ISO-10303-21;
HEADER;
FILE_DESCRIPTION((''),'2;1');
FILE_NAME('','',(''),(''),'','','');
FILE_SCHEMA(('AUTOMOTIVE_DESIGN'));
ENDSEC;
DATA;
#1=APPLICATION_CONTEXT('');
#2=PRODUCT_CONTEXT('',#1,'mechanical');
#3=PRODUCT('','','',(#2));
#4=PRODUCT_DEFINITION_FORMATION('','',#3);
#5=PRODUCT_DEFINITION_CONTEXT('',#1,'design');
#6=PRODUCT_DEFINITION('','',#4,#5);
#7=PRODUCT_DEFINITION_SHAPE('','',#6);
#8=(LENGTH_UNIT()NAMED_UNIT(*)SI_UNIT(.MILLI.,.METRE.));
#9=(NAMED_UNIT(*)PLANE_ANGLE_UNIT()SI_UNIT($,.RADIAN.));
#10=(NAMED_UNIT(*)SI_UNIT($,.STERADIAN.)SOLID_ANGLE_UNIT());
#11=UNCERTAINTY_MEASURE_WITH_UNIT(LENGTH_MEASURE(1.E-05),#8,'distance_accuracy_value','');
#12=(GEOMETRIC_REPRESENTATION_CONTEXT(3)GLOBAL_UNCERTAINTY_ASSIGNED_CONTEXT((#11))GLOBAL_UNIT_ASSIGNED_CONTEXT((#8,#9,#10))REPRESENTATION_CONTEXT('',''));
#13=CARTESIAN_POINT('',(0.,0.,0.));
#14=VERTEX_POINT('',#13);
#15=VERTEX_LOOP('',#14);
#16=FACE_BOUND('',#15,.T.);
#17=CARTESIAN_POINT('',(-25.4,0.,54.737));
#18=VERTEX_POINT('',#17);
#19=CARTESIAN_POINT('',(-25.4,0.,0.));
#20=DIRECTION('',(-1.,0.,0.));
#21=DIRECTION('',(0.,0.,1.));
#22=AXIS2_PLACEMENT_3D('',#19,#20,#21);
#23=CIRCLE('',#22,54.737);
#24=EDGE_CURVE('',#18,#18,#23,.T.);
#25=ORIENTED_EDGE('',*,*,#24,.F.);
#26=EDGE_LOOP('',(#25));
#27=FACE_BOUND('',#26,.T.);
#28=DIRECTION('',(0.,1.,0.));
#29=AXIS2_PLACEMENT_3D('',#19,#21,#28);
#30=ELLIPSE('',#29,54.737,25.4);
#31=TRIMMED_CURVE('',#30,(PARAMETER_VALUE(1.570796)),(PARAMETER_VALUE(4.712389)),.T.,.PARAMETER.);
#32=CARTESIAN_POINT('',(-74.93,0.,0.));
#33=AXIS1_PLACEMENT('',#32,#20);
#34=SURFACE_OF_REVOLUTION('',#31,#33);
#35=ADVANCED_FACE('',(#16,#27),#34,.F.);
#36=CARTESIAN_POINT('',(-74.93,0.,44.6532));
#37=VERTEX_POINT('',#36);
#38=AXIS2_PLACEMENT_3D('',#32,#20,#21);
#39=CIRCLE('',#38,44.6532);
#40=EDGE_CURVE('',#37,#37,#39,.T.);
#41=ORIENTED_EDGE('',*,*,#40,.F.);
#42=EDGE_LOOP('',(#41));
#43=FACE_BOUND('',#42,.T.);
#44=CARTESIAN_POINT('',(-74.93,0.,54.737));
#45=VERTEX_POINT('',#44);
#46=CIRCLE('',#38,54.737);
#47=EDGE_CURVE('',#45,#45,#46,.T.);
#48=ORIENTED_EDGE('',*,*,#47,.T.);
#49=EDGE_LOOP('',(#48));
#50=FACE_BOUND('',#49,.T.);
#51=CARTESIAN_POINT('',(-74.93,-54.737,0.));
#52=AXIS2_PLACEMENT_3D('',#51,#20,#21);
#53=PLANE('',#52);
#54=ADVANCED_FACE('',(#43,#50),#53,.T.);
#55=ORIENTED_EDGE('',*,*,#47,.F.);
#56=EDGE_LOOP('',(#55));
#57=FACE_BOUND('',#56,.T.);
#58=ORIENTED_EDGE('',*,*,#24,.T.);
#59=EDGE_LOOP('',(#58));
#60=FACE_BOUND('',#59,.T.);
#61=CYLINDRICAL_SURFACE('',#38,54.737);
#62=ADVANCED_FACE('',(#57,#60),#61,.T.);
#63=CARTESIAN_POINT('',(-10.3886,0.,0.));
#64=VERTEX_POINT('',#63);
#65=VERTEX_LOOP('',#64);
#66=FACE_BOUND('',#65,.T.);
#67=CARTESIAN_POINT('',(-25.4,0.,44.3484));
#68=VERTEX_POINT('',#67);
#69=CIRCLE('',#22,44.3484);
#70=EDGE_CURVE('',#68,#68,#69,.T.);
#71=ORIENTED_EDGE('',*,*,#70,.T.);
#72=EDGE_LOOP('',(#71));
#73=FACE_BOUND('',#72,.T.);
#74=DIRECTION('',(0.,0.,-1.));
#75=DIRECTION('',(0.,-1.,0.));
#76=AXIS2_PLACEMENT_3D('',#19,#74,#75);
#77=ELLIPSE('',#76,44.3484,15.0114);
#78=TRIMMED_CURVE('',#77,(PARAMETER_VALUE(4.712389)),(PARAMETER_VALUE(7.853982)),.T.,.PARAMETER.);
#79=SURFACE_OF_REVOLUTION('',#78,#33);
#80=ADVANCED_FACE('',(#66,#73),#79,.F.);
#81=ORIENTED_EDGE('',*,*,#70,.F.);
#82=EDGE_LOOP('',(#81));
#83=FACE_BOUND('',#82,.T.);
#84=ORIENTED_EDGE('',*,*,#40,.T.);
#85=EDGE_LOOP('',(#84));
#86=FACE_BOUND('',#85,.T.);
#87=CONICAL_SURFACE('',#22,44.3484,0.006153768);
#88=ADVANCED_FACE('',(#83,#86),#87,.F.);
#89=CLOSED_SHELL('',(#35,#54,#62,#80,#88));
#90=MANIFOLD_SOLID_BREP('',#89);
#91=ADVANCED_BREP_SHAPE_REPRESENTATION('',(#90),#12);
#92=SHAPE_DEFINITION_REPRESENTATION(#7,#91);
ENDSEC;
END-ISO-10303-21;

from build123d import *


with BuildPart() as part:
    # Sketch1 → Revolve1 (revolve)
    with BuildSketch(Plane.XY):
        with BuildLine():
            Line((-74.93, -54.737), (-25.4, -54.737))
            add(Edge.make_bspline(
                [(-25.4, -54.737), (0, -54.737), (0, 0)],
                knots=[3.141592654, 3.141592654, 3.141592654, 4.71238898, 4.71238898, 4.71238898], degree=2, weights=[1, 0.707106781, 1]))
            Line((0, 0), (-10.3886, 0))
            add(Edge.make_bspline(
                [(-25.4, -44.3484), (-10.3886, -44.3484), (-10.3886, 0)],
                knots=[0, 0, 0, 1.570796327, 1.570796327, 1.570796327], degree=2, weights=[1, 0.707106781, 1]))
            Line((-25.4, -44.3484), (-74.93, -44.6532))
            Line((-74.93, -44.6532), (-74.93, -54.737))
        make_face()
    revolve(axis=Axis((-74.93, 0, 0), (1, 0, 0)))


solid = part.part
